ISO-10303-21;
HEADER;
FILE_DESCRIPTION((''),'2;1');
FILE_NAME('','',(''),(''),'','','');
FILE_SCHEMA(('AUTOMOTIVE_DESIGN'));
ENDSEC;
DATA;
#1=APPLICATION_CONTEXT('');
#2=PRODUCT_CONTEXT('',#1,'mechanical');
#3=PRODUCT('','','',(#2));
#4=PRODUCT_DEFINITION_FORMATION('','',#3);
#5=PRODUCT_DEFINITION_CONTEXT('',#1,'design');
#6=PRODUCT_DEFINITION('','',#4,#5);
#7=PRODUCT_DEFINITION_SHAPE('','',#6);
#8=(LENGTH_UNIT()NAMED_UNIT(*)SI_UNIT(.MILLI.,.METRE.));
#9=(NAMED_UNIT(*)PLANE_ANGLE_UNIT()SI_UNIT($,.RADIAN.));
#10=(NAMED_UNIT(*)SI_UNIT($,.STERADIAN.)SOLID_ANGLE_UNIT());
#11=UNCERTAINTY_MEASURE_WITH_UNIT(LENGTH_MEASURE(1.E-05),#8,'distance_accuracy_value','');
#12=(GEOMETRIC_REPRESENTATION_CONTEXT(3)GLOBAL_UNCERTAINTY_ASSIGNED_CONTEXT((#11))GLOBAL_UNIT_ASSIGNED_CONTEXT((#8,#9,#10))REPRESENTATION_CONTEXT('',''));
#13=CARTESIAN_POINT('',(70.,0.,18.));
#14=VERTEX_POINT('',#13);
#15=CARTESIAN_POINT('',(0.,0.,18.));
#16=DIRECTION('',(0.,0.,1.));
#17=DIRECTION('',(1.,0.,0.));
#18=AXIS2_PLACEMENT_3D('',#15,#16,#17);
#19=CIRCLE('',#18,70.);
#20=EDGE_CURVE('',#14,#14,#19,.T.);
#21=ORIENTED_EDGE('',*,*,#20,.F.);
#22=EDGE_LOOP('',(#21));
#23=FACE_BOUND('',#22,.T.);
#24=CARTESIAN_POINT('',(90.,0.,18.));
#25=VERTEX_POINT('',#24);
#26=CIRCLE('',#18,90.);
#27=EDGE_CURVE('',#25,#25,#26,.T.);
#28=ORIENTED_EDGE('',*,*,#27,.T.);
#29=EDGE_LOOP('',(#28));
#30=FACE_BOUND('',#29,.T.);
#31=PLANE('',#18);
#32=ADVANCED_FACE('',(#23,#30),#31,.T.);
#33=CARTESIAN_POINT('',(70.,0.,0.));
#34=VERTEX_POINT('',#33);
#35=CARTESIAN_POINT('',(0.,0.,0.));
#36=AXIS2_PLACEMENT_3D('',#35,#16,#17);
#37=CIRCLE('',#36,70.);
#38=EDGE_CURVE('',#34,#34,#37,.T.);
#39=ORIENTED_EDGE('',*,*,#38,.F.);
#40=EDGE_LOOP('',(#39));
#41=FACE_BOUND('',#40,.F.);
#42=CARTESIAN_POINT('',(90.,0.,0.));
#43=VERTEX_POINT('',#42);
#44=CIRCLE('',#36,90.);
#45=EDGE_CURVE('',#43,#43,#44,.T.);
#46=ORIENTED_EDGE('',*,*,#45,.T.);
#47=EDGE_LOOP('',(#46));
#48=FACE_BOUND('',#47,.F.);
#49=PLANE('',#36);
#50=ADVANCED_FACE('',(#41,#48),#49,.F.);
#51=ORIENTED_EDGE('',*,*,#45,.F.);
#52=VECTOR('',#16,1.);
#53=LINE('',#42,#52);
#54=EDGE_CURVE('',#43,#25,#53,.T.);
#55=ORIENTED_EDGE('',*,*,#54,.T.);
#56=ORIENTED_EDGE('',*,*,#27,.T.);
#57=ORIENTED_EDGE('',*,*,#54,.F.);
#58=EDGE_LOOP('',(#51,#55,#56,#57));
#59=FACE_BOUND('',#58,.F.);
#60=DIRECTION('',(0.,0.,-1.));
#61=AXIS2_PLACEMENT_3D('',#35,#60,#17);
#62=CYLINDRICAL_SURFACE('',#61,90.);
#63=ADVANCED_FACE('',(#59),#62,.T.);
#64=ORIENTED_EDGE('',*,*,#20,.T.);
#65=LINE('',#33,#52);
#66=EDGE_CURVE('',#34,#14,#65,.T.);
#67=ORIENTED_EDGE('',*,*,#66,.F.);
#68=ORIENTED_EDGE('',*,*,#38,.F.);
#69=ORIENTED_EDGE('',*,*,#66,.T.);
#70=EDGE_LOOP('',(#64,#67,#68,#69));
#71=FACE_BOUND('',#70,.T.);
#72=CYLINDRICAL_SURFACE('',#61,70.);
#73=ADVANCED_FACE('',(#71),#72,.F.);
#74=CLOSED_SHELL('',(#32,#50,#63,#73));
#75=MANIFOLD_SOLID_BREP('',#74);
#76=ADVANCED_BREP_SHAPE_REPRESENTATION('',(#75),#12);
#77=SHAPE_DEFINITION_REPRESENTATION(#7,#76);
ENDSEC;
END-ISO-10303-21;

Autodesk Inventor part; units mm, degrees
ref_plane "YZ Plane" through (0, 0, 0) normal (1, 0, 0) x (0, 1, 0)
ref_plane "XZ Plane" through (0, 0, 0) normal (0, 1, 0) x (-1, 0, 0)
ref_plane "XY Plane" through (0, 0, 0) normal (0, 0, 1) x (1, 0, 0)
ref_plane "Płaszczyzna konstrukcyjna1" through (0, 0, 0) normal (0, 0, 1) x (1, 0, 0)
sketch "Szkic1" plane through (0, 0, 0) normal (0, 0, 1) x (1, 0, 0)
  circle A0 centre (0, 0) radius 90
  circle A1 centre (0, 0) radius 70
  dimension "d0" = 180
  dimension "d1" = 140
extrude "Wyciągnięcie proste1" add sketch "Szkic1" along normal blind 18
properties part number "wieniec_zebaty"
